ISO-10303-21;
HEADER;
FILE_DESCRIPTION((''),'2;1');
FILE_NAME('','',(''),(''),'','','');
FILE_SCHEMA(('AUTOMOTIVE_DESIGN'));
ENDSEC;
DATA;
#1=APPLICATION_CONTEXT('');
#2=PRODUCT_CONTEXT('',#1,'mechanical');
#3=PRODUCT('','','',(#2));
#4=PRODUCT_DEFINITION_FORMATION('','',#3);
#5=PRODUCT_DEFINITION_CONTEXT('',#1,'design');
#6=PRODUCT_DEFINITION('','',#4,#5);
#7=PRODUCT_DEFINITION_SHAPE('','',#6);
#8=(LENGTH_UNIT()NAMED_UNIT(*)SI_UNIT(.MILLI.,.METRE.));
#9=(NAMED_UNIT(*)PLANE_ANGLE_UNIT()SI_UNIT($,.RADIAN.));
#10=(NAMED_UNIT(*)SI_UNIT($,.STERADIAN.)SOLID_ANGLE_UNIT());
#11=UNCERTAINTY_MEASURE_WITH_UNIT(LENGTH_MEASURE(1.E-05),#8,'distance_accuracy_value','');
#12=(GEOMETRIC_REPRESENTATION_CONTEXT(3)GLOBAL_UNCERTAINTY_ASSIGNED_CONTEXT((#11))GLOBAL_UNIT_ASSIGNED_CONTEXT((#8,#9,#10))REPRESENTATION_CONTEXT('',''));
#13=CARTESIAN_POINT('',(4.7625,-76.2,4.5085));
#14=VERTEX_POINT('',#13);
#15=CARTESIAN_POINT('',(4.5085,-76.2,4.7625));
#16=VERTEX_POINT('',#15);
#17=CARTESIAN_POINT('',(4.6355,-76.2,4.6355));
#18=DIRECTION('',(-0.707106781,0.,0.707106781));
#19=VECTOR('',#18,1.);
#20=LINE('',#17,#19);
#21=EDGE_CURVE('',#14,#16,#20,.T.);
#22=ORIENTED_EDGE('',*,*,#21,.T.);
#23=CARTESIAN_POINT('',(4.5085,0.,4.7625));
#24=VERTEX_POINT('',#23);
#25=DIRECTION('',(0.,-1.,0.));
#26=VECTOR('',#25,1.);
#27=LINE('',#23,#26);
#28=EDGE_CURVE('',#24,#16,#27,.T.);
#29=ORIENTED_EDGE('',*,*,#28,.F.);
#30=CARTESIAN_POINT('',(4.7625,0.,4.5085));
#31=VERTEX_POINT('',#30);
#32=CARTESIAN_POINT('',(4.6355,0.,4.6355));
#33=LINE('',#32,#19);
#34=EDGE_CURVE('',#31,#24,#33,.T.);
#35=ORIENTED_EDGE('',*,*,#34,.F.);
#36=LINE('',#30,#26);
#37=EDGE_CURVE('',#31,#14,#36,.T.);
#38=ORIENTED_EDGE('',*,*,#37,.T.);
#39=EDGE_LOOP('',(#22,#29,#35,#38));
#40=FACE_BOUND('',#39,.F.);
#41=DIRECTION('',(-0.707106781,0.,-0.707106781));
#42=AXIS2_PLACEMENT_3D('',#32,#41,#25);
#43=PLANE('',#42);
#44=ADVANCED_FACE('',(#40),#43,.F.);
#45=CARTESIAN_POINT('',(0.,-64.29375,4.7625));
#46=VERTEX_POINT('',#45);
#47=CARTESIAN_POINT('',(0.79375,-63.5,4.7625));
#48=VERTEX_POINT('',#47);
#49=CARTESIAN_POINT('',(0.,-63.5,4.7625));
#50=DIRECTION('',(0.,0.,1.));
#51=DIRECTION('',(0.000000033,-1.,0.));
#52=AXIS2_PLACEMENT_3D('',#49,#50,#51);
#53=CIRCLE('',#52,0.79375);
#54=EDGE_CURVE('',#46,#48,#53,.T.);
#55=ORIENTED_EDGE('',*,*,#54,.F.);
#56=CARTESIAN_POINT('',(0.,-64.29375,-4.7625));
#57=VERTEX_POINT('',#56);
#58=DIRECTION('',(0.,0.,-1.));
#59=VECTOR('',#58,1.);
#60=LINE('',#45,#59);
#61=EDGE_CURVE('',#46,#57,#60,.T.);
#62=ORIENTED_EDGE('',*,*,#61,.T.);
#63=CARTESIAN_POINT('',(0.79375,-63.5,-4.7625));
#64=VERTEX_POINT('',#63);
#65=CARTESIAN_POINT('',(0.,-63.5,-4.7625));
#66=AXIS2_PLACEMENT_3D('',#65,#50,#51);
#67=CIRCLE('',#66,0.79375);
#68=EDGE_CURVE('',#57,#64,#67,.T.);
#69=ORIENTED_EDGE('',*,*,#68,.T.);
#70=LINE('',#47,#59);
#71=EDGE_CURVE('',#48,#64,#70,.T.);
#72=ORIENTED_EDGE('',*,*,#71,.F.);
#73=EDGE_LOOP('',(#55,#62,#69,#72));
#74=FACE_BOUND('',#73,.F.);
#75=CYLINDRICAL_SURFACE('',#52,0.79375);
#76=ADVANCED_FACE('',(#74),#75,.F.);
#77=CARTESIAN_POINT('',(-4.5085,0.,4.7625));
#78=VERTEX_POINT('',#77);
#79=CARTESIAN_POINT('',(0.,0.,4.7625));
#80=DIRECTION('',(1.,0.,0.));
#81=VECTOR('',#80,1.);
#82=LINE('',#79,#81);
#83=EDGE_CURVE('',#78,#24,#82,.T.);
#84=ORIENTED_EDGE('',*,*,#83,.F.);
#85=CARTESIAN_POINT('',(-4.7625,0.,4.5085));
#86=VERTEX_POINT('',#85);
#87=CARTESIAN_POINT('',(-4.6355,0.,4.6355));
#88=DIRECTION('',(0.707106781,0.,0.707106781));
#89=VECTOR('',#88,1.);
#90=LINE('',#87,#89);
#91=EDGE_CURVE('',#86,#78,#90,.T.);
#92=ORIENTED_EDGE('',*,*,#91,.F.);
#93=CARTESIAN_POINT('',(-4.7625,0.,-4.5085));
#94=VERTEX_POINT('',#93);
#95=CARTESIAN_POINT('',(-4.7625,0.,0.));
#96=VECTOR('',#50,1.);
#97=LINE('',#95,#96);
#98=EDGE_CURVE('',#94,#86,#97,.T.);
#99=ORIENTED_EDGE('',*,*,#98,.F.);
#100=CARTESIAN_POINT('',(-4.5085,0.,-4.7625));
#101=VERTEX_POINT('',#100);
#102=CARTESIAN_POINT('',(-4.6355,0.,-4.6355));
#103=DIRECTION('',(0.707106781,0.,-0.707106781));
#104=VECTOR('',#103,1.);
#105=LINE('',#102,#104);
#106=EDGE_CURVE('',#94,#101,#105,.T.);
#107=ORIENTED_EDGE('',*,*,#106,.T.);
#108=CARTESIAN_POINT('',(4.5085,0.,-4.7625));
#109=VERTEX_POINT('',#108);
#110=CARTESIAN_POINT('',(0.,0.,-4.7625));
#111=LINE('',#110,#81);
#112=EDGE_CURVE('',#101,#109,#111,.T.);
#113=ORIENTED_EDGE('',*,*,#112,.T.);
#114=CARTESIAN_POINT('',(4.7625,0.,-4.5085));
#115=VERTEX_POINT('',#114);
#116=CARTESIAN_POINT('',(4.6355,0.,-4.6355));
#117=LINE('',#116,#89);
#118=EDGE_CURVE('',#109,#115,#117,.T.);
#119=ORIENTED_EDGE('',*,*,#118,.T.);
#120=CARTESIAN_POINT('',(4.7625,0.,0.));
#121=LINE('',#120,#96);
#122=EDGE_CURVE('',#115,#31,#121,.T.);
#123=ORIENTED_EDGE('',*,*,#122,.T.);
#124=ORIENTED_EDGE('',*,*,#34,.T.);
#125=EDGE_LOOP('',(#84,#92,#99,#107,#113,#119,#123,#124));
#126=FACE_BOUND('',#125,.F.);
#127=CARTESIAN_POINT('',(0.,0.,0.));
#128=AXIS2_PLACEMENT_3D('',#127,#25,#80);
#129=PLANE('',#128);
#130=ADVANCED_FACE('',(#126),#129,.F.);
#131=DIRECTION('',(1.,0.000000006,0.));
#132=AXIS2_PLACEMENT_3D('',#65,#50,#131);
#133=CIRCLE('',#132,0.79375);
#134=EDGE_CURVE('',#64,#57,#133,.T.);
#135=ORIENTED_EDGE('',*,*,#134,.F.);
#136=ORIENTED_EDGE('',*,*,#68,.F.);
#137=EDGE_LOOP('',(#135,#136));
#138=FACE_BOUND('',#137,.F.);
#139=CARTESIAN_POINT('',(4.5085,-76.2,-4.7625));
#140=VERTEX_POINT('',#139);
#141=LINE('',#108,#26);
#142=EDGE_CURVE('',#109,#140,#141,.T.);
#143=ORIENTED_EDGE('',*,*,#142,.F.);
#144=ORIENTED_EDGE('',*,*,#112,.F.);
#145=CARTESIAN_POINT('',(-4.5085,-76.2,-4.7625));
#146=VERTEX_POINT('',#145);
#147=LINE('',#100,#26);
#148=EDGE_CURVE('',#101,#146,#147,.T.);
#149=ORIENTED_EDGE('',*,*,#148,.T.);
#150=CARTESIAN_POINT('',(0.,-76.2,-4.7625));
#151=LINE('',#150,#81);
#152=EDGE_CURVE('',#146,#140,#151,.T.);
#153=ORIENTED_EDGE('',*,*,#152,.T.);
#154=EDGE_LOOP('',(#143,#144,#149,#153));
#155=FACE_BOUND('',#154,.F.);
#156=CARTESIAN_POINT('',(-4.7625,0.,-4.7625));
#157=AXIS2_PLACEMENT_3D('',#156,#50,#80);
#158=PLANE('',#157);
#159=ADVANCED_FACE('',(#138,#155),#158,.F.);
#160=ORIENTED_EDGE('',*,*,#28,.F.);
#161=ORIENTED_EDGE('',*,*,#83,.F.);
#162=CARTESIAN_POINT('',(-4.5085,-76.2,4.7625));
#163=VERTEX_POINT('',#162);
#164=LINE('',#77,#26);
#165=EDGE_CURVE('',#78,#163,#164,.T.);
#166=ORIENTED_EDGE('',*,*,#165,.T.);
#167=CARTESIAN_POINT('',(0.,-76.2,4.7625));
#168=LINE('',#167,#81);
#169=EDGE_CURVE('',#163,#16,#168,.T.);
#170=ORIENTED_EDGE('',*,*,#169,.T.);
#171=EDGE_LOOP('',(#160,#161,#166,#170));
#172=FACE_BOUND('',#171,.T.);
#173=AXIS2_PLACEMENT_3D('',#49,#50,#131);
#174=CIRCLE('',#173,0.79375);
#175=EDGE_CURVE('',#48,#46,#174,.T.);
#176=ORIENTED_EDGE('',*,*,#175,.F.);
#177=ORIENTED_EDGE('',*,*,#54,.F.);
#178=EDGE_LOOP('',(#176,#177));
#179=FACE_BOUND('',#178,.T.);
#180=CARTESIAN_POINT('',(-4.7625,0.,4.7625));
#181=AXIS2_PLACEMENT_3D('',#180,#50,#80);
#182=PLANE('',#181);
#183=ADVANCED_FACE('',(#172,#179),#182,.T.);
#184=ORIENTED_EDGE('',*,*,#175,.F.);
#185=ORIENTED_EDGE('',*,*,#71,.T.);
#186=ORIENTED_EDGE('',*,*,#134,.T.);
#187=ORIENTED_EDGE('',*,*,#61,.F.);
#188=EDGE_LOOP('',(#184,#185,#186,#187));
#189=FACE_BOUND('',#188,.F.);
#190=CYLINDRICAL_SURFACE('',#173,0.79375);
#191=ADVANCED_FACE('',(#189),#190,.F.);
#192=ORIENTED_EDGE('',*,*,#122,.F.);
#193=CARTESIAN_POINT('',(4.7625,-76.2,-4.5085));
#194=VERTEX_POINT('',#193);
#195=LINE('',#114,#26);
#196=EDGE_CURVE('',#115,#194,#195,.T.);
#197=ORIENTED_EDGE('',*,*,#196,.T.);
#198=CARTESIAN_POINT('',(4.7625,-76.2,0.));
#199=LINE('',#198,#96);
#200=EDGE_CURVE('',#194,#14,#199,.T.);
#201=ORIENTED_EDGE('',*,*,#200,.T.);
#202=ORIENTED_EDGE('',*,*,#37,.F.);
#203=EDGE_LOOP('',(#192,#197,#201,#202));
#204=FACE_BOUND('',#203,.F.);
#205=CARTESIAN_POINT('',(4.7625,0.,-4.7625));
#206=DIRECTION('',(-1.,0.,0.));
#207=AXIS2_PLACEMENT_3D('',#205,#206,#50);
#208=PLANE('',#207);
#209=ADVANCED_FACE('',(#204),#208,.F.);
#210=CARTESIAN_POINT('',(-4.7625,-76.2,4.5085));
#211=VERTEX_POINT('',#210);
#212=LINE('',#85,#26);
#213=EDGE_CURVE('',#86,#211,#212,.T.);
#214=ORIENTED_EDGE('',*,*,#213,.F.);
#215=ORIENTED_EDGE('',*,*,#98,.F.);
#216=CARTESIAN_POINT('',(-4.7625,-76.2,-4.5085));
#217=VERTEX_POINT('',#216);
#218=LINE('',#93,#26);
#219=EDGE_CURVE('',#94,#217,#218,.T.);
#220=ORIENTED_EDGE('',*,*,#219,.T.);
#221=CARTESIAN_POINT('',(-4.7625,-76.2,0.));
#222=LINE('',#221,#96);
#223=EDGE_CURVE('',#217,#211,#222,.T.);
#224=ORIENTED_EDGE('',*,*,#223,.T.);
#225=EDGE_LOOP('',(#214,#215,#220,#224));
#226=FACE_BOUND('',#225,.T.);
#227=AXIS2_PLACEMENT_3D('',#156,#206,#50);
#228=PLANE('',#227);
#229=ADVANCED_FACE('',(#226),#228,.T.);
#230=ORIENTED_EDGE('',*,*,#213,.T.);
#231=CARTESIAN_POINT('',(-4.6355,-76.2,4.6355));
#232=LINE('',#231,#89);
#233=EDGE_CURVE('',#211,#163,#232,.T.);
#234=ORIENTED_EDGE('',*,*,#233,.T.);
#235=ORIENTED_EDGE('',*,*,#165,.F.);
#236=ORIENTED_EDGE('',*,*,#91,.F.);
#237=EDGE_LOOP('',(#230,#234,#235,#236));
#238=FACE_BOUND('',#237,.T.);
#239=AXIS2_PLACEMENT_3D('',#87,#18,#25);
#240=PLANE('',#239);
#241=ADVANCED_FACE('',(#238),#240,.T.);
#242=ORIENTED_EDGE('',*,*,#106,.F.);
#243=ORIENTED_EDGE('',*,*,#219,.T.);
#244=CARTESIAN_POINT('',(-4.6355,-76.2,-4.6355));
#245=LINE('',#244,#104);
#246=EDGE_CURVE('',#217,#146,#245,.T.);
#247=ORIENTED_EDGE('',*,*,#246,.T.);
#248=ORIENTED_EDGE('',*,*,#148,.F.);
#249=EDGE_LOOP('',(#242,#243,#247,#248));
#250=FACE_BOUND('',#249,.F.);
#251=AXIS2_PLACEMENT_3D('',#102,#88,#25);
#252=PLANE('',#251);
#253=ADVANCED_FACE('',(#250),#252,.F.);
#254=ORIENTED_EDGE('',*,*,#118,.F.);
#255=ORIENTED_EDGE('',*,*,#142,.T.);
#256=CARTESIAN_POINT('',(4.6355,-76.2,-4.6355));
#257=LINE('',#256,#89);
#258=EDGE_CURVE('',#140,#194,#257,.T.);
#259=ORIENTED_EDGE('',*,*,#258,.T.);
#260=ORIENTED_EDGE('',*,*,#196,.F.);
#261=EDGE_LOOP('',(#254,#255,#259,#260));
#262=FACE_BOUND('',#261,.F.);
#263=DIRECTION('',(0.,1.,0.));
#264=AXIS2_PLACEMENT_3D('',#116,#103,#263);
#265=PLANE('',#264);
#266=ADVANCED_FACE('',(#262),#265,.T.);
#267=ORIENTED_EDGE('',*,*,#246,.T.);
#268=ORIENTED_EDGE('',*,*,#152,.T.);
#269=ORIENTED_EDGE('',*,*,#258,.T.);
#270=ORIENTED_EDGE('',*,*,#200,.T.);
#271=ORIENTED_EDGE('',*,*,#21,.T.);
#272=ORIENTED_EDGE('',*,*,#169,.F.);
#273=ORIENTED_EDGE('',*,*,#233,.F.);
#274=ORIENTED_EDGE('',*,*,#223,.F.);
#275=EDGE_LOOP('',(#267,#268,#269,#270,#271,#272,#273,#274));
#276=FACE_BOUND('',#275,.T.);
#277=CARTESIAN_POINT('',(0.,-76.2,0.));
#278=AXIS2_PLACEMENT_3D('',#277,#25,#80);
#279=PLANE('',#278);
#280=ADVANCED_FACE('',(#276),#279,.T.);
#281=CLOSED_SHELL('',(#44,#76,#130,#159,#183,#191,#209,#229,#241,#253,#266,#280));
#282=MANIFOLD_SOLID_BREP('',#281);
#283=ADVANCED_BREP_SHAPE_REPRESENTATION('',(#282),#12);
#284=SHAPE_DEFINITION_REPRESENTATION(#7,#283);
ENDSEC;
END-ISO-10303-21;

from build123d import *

# Parameters (mm, degrees)
F0_W     = 9.525
F0_H     = 9.525
F1_DEPTH = 76.2
F2_SIZE  = 0.254
F4_DEPTH = 25.4


with BuildPart() as f1:
    # F0 (on Front) → F1 (new body)
    with BuildSketch(Plane.XZ):
        Rectangle(F0_W, F0_H)
    extrude(amount=F1_DEPTH)

    # F2
    f2_edges = [f1.edges().sort_by_distance(p)[0] for p in [
        (-4.7625, -38.1, 4.7625),
        (-4.7625, -38.1, -4.7625),
        (4.7625, -38.1, 4.7625),
        (4.7625, -38.1, -4.7625),
    ]]
    chamfer(f2_edges, length=F2_SIZE)

    # F3 (on face) → F4 (cut)
    with BuildSketch(Plane.XY.offset(4.7625)):
        with BuildLine():
            ThreePointArc((0, -64.29375), (0.561266, -64.061266), (0.79375, -63.5))
            ThreePointArc((0.79375, -63.5), (-0.561266, -62.938734), (0, -64.29375))
        make_face()
    extrude(amount=-F4_DEPTH, mode=Mode.SUBTRACT)


solid = f1.part
